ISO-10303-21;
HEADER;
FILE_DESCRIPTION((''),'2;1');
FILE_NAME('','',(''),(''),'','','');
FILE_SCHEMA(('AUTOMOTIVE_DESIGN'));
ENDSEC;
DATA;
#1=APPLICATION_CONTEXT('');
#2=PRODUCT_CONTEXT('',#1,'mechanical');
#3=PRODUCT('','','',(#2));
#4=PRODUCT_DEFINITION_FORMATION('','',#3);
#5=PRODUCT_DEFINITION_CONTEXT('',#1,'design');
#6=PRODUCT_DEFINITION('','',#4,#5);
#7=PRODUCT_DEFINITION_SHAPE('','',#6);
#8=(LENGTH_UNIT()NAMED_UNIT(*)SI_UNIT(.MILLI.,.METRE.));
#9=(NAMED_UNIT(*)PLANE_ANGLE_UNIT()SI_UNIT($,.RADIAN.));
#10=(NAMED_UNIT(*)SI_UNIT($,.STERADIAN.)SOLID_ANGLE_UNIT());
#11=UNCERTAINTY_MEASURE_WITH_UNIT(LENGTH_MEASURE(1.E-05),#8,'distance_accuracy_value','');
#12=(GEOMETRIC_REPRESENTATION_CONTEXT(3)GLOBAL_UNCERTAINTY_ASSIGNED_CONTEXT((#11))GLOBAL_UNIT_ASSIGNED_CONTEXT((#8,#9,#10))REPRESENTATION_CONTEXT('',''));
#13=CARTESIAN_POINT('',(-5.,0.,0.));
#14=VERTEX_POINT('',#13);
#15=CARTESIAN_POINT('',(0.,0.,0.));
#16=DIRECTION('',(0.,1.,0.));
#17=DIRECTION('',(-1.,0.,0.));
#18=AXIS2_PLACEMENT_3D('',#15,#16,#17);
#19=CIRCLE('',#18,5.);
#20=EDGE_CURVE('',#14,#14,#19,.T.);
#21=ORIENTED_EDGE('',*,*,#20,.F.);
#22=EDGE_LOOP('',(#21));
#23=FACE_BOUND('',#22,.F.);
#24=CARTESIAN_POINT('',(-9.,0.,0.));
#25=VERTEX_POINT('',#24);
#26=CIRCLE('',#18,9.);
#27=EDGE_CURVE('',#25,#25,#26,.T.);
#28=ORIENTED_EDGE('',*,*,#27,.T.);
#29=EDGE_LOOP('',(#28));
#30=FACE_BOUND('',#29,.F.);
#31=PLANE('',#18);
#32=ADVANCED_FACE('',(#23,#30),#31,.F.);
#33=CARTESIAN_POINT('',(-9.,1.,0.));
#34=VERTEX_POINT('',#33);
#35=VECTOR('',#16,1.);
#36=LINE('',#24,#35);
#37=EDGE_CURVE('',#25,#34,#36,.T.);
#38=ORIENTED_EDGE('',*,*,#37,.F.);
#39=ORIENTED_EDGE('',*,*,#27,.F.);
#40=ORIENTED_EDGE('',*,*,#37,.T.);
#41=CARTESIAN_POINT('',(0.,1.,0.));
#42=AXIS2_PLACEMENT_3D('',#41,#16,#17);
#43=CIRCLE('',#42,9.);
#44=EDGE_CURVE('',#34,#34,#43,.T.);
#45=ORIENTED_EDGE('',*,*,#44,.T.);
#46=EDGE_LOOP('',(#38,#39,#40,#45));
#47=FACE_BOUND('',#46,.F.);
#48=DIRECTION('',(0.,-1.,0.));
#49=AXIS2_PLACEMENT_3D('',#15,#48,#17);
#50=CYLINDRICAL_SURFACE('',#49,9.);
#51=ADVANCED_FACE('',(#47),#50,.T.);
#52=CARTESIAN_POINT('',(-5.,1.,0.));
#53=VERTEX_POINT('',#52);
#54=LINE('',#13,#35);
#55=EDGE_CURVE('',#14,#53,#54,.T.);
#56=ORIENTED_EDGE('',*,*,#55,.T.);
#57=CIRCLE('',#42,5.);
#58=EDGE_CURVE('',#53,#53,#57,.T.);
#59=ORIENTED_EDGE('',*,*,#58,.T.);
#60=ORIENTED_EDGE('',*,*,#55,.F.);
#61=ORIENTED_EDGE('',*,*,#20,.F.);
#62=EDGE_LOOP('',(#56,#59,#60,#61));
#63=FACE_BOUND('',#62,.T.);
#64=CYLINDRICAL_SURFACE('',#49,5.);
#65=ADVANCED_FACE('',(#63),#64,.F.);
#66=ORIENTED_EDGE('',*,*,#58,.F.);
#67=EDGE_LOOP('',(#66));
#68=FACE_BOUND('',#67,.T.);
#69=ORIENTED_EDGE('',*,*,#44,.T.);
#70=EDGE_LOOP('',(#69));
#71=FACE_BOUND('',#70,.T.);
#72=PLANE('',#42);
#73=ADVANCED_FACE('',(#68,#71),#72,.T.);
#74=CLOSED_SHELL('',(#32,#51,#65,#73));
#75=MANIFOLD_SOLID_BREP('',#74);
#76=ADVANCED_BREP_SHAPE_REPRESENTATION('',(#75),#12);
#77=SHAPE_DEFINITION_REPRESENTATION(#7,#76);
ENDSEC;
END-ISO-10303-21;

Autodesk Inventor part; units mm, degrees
ref_plane "YZ Plane" through (0, 0, 0) normal (1, 0, 0) x (0, 1, 0)
ref_plane "XZ Plane" through (0, 0, 0) normal (0, 1, 0) x (-1, 0, 0)
ref_plane "XY Plane" through (0, 0, 0) normal (0, 0, 1) x (1, 0, 0)
sketch "Sketch1" plane through (0, 0, 0) normal (0, 1, 0) x (-1, 0, 0)
  circle A0 centre (0, 0) radius 5
  circle A1 centre (0, 0) radius 9
  dimension "d0" = 10
  dimension "d1" = 18
extrude "Extrusion1" add sketch "Sketch1" along normal blind 1
properties part number "Washer"
